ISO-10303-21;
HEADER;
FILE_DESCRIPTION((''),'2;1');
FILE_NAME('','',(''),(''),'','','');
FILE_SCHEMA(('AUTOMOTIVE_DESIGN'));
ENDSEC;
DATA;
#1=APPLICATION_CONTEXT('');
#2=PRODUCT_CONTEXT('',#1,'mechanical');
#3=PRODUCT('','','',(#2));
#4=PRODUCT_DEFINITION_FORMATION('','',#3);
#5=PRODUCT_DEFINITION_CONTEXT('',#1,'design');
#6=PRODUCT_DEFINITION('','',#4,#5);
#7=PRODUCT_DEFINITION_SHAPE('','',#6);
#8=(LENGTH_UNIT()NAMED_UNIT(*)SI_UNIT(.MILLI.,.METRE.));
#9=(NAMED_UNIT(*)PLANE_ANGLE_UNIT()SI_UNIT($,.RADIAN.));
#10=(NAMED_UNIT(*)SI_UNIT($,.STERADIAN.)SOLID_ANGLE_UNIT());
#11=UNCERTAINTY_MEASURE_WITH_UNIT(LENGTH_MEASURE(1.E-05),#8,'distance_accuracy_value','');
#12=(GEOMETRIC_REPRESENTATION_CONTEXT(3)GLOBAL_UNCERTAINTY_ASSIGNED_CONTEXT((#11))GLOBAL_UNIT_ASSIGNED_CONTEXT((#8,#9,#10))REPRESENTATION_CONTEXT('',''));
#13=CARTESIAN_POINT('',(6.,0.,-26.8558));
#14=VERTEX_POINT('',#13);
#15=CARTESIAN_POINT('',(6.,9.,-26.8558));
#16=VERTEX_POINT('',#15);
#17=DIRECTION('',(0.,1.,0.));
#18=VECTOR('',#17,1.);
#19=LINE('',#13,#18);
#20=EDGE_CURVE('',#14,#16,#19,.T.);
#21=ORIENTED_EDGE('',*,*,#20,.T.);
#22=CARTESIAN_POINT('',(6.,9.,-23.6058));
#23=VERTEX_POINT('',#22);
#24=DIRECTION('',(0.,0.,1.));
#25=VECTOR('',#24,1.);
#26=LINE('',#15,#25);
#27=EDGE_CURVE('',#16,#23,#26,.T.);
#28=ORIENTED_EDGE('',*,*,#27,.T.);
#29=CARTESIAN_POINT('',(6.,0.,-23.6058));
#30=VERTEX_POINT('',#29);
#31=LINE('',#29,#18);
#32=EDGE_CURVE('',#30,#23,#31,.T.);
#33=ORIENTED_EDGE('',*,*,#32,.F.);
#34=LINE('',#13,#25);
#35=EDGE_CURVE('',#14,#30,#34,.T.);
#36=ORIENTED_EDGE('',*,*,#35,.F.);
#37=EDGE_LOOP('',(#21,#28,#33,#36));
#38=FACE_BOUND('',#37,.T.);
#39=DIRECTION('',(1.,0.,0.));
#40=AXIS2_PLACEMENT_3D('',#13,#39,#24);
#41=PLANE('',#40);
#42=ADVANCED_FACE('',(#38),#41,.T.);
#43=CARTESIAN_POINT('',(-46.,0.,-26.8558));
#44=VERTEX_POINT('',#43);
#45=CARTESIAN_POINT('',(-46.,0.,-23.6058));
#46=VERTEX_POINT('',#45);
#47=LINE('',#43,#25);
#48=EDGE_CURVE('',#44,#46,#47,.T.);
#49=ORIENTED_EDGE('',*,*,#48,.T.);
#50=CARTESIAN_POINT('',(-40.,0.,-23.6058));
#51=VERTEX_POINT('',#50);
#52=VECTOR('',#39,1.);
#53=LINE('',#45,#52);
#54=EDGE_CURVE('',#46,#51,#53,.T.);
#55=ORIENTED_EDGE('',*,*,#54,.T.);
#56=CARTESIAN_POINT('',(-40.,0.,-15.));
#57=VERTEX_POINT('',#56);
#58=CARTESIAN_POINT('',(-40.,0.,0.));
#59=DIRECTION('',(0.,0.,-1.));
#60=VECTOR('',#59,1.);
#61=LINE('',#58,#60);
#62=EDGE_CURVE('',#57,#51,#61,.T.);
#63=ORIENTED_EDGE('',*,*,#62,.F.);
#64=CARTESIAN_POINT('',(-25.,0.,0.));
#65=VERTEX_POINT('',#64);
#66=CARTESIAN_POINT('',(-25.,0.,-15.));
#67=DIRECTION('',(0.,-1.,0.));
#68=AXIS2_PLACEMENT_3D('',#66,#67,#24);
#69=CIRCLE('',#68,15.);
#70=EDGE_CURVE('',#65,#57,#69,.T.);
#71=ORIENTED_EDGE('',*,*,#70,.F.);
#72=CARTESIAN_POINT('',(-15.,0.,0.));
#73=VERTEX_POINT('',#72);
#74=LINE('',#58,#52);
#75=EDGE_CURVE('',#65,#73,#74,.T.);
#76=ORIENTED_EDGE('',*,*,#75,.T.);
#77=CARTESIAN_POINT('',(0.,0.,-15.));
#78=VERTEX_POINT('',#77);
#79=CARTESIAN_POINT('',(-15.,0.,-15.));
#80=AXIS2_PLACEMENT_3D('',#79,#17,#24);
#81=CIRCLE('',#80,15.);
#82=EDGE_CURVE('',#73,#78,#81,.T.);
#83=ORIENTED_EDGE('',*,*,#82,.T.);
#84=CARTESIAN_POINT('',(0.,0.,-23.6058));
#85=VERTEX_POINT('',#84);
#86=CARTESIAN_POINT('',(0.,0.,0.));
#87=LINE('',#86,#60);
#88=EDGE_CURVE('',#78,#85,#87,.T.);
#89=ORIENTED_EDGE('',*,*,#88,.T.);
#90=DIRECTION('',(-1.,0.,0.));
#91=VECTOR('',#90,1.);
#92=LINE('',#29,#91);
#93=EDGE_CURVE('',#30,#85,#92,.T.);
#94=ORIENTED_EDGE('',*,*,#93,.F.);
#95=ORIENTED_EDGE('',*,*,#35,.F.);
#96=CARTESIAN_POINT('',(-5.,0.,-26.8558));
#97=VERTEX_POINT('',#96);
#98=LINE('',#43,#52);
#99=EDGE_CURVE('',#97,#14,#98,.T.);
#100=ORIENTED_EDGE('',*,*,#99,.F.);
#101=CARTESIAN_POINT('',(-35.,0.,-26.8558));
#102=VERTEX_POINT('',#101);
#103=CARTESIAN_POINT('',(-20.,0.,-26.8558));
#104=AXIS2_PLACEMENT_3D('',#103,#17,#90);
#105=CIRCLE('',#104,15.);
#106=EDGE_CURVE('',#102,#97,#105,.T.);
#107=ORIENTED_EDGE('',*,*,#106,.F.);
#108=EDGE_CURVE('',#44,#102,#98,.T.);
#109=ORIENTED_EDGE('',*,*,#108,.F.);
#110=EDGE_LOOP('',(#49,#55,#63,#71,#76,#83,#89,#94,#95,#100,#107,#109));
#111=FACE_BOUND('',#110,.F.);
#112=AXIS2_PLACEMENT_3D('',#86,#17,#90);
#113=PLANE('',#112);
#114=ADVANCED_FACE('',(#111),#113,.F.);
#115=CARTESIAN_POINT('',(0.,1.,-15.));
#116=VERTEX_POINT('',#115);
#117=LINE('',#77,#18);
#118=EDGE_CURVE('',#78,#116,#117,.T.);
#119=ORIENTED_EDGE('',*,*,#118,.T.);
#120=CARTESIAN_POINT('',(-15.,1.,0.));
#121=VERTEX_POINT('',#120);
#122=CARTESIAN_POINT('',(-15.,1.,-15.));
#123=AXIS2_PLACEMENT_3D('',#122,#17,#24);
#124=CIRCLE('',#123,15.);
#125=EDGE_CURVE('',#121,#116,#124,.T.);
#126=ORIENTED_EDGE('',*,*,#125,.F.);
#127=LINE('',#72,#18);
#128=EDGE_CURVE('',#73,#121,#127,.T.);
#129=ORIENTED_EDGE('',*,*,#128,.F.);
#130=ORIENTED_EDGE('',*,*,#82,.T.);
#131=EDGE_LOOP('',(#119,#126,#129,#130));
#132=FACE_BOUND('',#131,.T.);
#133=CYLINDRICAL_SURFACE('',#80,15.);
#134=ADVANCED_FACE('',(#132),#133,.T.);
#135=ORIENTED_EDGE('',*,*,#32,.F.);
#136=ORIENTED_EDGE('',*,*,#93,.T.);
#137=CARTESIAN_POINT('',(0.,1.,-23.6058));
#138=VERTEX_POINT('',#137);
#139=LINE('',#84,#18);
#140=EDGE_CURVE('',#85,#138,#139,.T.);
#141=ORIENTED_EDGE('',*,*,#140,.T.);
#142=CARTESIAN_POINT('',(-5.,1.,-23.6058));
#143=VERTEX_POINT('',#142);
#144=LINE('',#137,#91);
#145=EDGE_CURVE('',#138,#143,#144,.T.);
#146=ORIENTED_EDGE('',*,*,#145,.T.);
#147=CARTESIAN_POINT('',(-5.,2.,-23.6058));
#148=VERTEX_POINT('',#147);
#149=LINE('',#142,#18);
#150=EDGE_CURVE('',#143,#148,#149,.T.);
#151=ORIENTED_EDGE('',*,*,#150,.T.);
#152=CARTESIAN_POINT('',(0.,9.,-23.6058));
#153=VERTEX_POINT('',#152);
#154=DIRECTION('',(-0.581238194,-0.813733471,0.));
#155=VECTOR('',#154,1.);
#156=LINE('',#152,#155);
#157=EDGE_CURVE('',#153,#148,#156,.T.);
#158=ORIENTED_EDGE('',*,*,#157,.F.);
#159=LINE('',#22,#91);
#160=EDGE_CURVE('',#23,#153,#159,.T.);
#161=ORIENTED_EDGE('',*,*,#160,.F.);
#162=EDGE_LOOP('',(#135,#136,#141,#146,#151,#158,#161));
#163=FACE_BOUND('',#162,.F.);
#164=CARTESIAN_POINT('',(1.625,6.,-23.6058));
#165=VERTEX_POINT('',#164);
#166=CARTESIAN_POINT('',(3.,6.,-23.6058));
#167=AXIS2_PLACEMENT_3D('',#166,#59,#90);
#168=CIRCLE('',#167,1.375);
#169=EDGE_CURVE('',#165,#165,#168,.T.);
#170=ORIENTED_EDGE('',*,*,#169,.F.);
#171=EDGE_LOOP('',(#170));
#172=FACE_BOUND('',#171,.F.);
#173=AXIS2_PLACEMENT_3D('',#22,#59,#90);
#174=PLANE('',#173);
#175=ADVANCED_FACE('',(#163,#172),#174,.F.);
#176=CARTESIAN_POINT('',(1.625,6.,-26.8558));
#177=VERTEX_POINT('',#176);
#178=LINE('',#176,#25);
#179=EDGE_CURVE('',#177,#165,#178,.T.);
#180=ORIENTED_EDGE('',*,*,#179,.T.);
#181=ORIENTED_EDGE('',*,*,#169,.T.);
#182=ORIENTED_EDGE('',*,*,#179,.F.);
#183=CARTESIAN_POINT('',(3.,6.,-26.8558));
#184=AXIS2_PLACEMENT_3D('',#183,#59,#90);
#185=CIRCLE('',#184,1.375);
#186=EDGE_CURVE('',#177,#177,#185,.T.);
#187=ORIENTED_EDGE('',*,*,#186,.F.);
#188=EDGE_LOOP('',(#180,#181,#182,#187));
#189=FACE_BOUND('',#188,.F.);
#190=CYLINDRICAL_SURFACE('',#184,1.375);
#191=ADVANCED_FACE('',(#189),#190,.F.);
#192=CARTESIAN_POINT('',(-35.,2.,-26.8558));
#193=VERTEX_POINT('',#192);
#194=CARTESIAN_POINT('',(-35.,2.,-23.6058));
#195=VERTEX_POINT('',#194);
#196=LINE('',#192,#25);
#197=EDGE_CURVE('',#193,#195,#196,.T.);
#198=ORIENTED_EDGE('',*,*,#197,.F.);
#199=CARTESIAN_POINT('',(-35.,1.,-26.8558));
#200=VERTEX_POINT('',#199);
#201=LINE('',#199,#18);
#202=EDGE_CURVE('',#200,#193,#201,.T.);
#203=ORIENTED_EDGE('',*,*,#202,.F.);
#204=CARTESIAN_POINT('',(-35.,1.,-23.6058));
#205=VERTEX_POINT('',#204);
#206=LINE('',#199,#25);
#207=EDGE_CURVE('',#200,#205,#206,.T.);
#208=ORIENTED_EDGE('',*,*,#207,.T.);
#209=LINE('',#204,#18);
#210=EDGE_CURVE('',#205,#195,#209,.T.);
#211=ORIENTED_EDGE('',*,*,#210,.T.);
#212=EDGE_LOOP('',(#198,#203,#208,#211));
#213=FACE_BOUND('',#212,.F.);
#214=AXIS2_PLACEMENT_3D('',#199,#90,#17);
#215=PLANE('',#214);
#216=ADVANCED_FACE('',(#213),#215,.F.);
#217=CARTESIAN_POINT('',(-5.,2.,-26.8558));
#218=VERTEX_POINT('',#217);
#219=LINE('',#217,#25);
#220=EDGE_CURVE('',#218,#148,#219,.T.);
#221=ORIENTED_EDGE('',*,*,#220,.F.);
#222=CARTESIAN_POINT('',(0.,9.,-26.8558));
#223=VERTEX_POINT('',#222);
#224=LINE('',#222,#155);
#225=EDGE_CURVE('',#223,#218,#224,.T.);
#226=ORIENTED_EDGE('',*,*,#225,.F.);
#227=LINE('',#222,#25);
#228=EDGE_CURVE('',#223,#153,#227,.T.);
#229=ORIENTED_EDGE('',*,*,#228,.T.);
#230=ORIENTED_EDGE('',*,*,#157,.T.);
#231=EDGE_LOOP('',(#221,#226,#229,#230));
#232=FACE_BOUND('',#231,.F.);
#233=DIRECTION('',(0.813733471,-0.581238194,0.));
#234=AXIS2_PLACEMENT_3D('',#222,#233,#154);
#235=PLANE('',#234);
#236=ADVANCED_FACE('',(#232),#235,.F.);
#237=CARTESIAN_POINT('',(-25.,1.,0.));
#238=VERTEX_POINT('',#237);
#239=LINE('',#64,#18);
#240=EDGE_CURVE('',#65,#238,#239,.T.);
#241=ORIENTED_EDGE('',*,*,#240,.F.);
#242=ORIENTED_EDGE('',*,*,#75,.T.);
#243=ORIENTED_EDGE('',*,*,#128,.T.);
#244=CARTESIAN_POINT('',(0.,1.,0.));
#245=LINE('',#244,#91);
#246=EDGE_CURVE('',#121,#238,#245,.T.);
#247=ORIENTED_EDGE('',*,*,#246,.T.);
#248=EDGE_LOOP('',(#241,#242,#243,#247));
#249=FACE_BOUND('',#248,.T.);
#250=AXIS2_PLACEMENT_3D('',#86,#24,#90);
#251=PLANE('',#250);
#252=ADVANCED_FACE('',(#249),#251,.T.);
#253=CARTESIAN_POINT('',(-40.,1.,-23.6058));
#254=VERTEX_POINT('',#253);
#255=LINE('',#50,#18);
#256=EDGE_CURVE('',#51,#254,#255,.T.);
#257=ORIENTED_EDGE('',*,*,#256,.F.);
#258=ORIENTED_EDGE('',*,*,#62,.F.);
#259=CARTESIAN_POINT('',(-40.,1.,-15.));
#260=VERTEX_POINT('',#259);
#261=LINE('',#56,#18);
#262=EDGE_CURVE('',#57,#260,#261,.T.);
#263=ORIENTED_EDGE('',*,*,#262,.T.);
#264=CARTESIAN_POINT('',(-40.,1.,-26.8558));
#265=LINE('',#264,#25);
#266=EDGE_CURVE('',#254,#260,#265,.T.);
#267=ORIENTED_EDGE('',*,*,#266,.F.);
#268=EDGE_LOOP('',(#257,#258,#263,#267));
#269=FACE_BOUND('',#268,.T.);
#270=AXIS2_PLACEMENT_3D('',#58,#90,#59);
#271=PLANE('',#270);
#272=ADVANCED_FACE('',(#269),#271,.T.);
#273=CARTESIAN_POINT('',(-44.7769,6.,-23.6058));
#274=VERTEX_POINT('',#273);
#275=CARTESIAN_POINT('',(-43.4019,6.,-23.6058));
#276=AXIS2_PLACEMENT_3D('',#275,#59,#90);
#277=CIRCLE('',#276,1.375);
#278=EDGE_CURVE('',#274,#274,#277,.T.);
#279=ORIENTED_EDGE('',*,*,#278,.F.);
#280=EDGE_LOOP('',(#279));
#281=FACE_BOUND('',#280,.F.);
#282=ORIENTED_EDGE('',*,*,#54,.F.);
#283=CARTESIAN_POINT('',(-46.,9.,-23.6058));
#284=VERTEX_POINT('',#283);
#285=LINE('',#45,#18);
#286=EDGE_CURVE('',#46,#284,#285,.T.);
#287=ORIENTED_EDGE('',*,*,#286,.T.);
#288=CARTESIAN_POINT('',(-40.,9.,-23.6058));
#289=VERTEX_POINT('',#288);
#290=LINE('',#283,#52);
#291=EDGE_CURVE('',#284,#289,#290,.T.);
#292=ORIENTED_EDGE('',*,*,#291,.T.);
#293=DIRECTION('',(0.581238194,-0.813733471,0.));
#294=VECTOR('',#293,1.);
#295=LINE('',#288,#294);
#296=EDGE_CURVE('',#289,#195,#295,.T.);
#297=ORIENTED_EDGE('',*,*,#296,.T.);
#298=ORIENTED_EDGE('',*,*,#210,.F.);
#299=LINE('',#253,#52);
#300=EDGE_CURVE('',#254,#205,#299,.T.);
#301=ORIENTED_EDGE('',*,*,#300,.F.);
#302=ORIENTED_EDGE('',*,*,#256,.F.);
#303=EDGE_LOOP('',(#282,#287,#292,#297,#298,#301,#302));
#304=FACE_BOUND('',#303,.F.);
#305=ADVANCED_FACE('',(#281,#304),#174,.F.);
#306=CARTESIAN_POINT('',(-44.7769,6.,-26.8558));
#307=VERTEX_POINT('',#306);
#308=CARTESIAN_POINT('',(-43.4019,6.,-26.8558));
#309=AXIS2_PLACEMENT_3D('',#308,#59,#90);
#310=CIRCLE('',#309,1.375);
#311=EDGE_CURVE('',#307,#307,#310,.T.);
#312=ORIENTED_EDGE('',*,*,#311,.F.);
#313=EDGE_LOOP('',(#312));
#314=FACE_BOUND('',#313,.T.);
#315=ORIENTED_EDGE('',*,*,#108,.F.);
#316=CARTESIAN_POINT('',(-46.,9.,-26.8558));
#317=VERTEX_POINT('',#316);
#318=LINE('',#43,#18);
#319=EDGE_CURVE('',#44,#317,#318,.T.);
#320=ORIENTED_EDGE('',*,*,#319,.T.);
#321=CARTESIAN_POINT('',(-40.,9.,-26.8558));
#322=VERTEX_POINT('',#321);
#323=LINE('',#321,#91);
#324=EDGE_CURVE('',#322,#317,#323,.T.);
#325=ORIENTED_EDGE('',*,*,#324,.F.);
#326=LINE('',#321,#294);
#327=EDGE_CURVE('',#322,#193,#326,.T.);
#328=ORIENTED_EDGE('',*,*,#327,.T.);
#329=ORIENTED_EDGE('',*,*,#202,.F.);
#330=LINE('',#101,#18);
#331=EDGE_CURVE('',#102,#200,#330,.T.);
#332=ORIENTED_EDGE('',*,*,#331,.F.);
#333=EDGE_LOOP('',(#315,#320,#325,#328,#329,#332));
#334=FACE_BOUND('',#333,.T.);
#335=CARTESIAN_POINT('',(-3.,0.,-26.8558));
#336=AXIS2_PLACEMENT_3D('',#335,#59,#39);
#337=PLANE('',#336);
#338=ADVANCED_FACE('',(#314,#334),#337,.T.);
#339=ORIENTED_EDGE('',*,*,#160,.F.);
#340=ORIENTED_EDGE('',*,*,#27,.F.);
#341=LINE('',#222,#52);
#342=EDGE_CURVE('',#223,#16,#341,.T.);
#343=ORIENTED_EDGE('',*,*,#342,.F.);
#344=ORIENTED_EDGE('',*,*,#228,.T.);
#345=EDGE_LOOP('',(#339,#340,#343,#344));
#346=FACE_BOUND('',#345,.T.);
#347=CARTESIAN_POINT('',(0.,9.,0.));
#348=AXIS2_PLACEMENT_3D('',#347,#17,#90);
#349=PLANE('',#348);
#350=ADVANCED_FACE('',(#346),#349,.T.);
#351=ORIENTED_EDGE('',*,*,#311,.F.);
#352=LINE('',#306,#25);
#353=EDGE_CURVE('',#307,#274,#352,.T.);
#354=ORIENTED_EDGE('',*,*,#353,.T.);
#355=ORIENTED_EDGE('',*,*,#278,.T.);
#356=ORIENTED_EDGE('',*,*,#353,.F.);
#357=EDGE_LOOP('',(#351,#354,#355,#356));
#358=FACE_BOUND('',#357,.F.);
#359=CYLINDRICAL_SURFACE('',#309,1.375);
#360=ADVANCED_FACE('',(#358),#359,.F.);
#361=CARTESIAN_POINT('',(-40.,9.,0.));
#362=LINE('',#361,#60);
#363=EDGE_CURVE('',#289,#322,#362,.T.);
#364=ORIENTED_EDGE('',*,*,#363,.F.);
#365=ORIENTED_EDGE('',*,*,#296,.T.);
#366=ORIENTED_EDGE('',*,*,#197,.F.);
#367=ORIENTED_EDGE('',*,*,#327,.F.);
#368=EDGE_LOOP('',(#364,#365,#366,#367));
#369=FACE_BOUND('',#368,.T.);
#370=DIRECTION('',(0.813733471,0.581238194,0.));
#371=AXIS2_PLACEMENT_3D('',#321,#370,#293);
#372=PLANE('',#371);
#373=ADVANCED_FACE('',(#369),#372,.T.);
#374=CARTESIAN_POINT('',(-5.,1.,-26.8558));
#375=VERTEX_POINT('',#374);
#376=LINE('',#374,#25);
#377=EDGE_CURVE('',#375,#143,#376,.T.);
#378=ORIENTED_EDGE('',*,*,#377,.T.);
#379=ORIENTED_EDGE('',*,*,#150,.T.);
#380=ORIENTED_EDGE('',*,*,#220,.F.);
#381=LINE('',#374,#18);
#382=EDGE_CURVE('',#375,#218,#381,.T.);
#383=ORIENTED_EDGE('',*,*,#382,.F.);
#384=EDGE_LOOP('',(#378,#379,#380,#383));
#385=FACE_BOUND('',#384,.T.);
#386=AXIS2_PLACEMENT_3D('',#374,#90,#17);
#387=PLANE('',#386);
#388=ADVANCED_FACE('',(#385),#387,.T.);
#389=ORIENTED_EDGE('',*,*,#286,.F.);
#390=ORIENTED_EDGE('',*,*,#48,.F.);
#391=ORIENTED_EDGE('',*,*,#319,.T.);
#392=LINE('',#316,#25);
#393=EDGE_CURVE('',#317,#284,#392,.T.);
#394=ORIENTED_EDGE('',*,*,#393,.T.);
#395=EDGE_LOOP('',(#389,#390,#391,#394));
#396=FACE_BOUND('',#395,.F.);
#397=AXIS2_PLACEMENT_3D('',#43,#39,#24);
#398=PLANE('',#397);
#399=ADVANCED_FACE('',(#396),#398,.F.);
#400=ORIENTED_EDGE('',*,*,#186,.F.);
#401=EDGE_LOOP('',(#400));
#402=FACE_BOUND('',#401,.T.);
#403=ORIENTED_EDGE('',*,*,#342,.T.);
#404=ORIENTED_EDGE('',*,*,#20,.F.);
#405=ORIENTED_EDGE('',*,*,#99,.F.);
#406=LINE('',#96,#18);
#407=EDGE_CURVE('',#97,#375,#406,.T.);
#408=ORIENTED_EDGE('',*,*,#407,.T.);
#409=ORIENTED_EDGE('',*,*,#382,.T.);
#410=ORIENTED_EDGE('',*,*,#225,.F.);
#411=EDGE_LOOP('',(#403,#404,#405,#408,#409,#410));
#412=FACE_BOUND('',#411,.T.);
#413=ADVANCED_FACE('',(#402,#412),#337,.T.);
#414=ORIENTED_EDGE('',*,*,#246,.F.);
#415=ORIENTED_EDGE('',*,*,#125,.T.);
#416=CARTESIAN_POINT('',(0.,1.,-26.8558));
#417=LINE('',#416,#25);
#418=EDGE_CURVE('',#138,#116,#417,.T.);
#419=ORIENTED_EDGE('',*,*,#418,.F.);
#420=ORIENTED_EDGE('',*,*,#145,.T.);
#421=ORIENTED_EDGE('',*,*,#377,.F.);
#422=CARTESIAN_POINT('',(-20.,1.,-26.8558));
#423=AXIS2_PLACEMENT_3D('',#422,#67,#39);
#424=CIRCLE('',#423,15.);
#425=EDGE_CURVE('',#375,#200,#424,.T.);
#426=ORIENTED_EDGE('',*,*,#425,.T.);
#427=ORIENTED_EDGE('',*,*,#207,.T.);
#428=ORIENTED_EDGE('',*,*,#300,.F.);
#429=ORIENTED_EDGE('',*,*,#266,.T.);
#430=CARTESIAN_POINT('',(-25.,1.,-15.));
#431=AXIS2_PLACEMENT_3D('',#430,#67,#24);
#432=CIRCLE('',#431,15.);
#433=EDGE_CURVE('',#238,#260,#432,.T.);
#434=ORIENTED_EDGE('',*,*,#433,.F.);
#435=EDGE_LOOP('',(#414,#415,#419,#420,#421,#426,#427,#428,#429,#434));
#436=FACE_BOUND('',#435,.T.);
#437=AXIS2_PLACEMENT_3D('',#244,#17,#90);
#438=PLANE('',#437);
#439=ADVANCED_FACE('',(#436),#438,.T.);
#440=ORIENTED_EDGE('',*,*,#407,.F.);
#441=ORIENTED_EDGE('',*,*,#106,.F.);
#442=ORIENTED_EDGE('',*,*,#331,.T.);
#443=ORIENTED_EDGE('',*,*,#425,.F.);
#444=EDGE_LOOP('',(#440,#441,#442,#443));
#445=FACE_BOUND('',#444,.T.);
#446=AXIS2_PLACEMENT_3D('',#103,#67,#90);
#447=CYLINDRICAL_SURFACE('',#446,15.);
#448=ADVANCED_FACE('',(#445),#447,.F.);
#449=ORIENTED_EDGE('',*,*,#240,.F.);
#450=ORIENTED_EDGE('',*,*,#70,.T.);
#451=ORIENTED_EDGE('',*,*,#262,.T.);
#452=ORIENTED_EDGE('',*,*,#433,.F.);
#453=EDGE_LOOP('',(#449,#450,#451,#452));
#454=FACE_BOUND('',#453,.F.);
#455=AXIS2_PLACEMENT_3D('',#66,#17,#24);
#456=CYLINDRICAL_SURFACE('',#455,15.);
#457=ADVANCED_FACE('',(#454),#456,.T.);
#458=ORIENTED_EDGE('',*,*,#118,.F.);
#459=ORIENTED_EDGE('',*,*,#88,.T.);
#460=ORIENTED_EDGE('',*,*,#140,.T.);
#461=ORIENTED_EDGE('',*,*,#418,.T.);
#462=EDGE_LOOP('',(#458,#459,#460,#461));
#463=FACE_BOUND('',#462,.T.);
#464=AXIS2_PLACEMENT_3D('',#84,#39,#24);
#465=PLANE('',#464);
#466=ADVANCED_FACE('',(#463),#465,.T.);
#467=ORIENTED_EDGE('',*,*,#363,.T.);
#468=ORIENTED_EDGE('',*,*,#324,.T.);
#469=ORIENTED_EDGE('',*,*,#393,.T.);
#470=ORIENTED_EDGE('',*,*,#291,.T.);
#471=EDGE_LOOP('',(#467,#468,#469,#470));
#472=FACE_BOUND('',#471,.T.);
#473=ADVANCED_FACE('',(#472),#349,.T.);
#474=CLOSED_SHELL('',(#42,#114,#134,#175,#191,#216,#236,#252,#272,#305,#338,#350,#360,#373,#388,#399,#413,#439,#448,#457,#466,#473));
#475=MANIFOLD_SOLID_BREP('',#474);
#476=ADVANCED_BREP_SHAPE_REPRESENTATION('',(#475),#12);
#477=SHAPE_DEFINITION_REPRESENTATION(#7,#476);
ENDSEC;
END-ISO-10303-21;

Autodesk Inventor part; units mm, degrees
ref_plane "YZ Plane" through (0, 0, 0) normal (1, 0, 0) x (0, 1, 0)
ref_plane "XZ Plane" through (0, 0, 0) normal (0, 1, 0) x (-1, 0, 0)
ref_plane "XY Plane" through (0, 0, 0) normal (0, 0, 1) x (1, 0, 0)
sketch "スケッチ1" plane through (0, 0, 0) normal (0, 1, 0) x (-1, 0, 0)
  line L0 (0, 0) -> (40, 0)
  line L1 (40, 0) -> (40, -26.8558)
  line L2 (40, -26.8558) -> (0, -26.8558)
  line L3 (0, -26.8558) -> (0, 0)
  circle A0 centre (20, -26.8558) radius 15
  line L4 (20, -26.8558) -> (20, 0)
  line L5 (40, -23.6058) -> (40, -26.8558)
  line L6 (0, -23.6058) -> (0, -26.8558)
  circle A1 centre (20, -26.8558) radius 17
  line L7 (40, -26.8558) -> (46, -26.8558)
  line L8 (46, -26.8558) -> (46, -23.6058)
  line L9 (46, -23.6058) -> (40, -23.6058)
  line L10 (40, -23.6058) -> (40, -26.8558)
  line L11 (0, -23.6058) -> (0, -26.8558)
  line L12 (0, -26.8558) -> (-6, -26.8558)
  line L13 (-6, -26.8558) -> (-6, -23.6058)
  line L14 (-6, -23.6058) -> (0, -23.6058)
  line L15 (0, -23.6058) -> (0, -26.8558)
  point P0 (35, -26.8558)
  point P1 (5, -26.8558)
  dimension "d0" = 40
  dimension "d1" = 30
  dimension "d16" = 34
  dimension "d18" = 6
  dimension "d19" = 3.25
extrude "押し出し1" add sketch "スケッチ1" along normal blind 1 contours L0 L4 A1 L2 L3 | L0 L1 L2 A1 L4 | A1 L2 A0 L4 | L4 A0 L2 A1 | L4 L2 A0 | A0 L2 L4
fillet "フィレット1" radius 15 2 edges at (-40, 0.5, 0) (0, 0.5, 0)
extrude "押し出し4" add sketch "スケッチ1" along normal blind 9 contours L3 L12 L13 L14 | L9 L8 L7 L1
sketch "スケッチ7" plane through (6, 0, -26.8558) normal (0, 0, -1) x (-1, 0, 0)
  circle A0 centre (3, 6) radius 1.375
  line L0 (6, 1) -> (6, 9) projected
  line L1 (0, 9) -> (6, 9) projected
  circle A1 centre (49.4019, 6) radius 1.375
  line L2 (46, 9) -> (52, 9) projected
  line L3 (52, 0) -> (52, 9) projected
  point P0 (6, 0)
  point P1 (3, 9)
  point P2 (52, 4.5)
  dimension "d22" = 2.75
  dimension "d23" = 3
  dimension "d24" = 3
  dimension "d25" = 2.75
  dimension "d26" = 3
  dimension "d27" = 3
extrude "押し出し5" cut sketch "スケッチ7" against normal blind 6
extrude "押し出し6" cut sketch "スケッチ1" along normal blind 1 contours L4 L2 A0 | A0 L2 L4
sketch "スケッチ9" plane through (6, 9, -26.8558) normal (0, 0, -1) x (-1, 0, 0)
  line L0 (6, -8) -> (6, 0) projected
  line L1 (6, -8) -> (11, -8)
  line L2 (11, -8) -> (11, -7)
  line L3 (11, -7) -> (6, -7)
  line L4 (6, -7) -> (6, -8)
  line L5 (6, 0) -> (11, -7)
  line L6 (41, -8) -> (41, -9) projected
  line L7 (52, 0) -> (46, 0) projected
  line L8 (46, -8) -> (46, 0) projected
  line L9 (46, -8) -> (41, -8)
  line L10 (41, -8) -> (41, -7)
  line L11 (41, -7) -> (46, -7)
  line L12 (46, -7) -> (46, -8)
  line L13 (46, 0) -> (41, -7)
  point P0 (6, -9)
  dimension "d32" = 5
  dimension "d33" = 1
  dimension "d38" = 5
extrude "押し出し7" add sketch "スケッチ9" against normal blind 3.25
properties part number "PartsForRaspibase"
